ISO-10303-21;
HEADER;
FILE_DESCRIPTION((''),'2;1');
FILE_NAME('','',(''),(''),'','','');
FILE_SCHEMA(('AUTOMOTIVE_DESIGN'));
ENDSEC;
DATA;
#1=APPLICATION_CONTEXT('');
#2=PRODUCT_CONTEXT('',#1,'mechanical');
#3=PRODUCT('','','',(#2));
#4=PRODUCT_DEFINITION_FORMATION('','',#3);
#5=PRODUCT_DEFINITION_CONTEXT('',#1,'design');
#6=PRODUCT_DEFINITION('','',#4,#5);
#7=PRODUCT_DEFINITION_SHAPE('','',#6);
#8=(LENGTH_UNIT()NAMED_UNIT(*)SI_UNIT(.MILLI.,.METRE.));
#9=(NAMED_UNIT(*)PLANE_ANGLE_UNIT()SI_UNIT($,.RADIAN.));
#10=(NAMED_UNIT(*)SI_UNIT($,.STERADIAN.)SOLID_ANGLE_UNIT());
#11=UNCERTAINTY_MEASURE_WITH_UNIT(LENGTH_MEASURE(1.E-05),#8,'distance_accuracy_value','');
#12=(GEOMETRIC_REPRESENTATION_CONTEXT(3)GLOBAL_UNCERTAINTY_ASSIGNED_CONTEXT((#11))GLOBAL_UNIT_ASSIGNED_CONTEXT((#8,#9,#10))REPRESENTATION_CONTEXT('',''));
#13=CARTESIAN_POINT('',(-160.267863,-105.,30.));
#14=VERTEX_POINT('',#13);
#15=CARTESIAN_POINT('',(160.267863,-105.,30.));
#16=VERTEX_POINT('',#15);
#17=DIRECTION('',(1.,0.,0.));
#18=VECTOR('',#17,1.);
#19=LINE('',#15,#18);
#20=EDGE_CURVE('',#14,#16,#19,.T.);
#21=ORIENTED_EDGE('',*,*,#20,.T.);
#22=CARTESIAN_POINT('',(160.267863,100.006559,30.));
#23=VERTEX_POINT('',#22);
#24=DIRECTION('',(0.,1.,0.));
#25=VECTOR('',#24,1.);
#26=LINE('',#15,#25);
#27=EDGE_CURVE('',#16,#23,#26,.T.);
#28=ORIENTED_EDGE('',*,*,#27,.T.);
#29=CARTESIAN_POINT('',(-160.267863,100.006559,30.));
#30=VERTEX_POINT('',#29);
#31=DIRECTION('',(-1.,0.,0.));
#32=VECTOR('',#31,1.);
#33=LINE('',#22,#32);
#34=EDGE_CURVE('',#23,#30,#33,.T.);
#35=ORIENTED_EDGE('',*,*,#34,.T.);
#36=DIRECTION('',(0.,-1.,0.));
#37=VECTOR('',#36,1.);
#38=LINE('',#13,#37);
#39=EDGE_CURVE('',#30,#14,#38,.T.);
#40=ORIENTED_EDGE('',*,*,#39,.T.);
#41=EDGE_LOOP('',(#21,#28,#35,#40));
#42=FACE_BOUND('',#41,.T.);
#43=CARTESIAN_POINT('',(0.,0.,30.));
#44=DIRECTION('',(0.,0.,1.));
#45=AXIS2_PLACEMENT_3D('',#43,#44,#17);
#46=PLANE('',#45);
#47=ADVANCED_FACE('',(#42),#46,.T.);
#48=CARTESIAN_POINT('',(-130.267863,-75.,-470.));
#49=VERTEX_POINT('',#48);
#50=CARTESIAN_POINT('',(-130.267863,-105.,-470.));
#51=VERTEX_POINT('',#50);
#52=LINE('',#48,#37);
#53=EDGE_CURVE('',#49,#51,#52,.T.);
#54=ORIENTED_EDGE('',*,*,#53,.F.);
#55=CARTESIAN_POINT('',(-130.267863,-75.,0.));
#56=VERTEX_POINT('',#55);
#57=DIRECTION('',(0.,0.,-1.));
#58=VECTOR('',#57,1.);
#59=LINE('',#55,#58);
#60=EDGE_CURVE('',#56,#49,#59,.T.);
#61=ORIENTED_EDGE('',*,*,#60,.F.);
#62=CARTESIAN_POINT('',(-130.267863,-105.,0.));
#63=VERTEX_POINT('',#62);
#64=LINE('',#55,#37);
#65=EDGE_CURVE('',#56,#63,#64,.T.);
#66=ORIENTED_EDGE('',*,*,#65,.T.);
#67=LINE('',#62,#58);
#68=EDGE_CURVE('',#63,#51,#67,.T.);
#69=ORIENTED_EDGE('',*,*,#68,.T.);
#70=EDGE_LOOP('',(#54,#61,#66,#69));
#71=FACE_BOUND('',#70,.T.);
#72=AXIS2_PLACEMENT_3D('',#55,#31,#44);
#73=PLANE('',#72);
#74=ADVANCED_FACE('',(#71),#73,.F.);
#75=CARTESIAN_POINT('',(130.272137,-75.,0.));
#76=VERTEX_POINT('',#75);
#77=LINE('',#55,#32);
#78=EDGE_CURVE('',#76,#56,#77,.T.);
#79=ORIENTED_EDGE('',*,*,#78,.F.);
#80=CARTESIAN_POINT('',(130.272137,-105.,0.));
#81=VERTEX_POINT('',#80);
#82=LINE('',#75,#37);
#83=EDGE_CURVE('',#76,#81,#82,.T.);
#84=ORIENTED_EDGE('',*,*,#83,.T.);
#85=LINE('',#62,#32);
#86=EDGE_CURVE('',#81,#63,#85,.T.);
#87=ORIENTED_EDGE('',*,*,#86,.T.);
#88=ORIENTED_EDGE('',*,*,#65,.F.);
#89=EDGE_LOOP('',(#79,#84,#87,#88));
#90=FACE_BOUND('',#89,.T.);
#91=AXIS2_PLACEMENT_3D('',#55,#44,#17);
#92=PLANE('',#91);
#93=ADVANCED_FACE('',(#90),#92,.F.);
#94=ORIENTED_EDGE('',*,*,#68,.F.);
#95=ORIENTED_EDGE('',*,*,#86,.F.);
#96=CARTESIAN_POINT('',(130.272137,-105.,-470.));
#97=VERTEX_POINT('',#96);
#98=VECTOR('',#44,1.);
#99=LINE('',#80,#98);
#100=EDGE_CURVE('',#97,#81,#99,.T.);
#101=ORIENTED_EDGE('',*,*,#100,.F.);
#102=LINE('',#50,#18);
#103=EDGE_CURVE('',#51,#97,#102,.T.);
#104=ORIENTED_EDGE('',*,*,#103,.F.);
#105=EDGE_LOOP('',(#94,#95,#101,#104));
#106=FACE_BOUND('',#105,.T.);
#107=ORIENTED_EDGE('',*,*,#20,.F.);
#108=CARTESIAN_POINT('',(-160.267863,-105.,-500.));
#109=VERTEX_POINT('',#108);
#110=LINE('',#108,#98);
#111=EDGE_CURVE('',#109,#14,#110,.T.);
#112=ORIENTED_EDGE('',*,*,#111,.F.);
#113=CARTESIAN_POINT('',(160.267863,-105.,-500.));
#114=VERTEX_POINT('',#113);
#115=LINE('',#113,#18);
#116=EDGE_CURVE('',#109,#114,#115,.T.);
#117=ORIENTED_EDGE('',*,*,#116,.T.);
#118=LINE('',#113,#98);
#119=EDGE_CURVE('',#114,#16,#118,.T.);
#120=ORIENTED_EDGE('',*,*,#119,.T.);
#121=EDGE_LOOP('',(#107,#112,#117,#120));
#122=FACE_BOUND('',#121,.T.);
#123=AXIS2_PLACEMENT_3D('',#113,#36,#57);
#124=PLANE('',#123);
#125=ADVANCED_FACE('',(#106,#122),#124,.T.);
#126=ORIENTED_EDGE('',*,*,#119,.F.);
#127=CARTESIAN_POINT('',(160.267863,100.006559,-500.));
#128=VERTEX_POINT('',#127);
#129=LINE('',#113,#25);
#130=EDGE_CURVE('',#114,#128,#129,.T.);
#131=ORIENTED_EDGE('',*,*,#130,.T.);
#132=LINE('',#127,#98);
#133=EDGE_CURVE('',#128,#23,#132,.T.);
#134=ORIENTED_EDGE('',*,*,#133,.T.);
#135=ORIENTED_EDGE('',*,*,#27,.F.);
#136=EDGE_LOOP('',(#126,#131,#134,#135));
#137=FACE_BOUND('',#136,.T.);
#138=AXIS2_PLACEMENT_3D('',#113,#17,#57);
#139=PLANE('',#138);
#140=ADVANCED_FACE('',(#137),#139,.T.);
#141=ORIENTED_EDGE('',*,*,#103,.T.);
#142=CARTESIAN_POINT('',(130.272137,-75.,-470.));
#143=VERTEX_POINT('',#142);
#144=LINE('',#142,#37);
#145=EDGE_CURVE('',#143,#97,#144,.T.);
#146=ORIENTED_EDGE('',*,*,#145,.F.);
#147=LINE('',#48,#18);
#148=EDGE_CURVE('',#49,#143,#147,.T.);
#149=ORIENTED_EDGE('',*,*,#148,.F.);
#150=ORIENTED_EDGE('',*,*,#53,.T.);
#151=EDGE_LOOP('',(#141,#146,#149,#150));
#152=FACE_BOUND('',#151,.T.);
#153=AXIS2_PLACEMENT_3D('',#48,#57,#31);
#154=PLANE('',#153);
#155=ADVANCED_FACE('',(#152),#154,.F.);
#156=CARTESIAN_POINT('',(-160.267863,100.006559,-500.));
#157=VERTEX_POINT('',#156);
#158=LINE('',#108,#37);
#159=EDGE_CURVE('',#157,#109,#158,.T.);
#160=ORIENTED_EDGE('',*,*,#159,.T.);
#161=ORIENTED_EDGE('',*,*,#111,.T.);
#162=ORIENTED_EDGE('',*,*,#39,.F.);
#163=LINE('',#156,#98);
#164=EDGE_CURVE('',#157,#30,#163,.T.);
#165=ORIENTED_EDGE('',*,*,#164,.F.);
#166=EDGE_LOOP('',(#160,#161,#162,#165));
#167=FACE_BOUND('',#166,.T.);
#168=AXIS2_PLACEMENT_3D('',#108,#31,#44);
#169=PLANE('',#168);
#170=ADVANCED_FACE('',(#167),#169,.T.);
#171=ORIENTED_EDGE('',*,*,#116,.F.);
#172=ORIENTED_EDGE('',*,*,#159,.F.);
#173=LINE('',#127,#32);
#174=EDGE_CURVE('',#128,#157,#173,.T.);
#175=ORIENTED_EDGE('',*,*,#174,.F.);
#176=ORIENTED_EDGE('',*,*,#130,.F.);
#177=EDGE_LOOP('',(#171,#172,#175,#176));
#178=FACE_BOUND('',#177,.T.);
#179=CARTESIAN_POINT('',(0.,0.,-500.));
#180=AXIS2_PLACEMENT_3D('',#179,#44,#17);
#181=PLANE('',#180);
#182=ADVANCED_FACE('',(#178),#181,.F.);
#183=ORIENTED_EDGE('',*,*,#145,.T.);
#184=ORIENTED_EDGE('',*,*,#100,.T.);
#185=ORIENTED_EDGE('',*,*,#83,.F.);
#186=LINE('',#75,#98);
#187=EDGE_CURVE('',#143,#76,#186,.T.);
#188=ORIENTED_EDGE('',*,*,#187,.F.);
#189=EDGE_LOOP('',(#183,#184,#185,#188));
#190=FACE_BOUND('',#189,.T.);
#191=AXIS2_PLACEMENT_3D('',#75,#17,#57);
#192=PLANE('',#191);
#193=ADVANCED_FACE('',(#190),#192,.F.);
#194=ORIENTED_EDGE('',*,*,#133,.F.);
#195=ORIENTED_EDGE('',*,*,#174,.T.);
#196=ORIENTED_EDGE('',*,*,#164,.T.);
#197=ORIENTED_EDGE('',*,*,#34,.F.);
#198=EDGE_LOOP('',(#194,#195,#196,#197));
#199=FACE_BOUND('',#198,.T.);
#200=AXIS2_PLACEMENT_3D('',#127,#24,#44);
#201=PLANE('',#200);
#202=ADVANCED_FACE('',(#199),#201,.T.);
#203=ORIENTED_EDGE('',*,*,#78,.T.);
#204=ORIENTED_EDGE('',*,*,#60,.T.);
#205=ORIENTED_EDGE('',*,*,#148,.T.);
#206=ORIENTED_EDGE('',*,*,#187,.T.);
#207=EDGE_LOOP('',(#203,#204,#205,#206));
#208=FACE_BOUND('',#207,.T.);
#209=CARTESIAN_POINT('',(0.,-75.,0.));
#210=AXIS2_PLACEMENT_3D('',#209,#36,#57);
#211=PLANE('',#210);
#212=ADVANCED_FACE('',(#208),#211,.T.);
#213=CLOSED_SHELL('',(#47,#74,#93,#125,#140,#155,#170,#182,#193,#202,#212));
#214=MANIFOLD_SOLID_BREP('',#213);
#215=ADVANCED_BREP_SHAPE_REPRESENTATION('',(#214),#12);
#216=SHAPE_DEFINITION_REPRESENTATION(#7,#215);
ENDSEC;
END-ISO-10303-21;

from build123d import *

# Parameters (mm, degrees)
SKETCH1_W           = 320.53572501
SKETCH1_H           = 205.006558649
BOSS_EXTRUDE1_DEPTH = 530
SKETCH2_W           = 260.54
SKETCH2_H           = 470
CUT_EXTRUDE1_DEPTH  = 30


with BuildPart() as part:
    # Sketch1 → Boss-Extrude1 (new body)
    with BuildSketch(Plane.XY.offset(30)):
        with Locations((0, -2.496720675)):
            Rectangle(SKETCH1_W, SKETCH1_H)
    extrude(amount=-BOSS_EXTRUDE1_DEPTH)

    # Sketch2 → Cut-Extrude1 (cut)
    with BuildSketch(Plane.XZ.offset(105)):
        with Locations((0.002137495, -235)):
            Rectangle(SKETCH2_W, SKETCH2_H)
    extrude(amount=-CUT_EXTRUDE1_DEPTH, mode=Mode.SUBTRACT)


solid = part.part
